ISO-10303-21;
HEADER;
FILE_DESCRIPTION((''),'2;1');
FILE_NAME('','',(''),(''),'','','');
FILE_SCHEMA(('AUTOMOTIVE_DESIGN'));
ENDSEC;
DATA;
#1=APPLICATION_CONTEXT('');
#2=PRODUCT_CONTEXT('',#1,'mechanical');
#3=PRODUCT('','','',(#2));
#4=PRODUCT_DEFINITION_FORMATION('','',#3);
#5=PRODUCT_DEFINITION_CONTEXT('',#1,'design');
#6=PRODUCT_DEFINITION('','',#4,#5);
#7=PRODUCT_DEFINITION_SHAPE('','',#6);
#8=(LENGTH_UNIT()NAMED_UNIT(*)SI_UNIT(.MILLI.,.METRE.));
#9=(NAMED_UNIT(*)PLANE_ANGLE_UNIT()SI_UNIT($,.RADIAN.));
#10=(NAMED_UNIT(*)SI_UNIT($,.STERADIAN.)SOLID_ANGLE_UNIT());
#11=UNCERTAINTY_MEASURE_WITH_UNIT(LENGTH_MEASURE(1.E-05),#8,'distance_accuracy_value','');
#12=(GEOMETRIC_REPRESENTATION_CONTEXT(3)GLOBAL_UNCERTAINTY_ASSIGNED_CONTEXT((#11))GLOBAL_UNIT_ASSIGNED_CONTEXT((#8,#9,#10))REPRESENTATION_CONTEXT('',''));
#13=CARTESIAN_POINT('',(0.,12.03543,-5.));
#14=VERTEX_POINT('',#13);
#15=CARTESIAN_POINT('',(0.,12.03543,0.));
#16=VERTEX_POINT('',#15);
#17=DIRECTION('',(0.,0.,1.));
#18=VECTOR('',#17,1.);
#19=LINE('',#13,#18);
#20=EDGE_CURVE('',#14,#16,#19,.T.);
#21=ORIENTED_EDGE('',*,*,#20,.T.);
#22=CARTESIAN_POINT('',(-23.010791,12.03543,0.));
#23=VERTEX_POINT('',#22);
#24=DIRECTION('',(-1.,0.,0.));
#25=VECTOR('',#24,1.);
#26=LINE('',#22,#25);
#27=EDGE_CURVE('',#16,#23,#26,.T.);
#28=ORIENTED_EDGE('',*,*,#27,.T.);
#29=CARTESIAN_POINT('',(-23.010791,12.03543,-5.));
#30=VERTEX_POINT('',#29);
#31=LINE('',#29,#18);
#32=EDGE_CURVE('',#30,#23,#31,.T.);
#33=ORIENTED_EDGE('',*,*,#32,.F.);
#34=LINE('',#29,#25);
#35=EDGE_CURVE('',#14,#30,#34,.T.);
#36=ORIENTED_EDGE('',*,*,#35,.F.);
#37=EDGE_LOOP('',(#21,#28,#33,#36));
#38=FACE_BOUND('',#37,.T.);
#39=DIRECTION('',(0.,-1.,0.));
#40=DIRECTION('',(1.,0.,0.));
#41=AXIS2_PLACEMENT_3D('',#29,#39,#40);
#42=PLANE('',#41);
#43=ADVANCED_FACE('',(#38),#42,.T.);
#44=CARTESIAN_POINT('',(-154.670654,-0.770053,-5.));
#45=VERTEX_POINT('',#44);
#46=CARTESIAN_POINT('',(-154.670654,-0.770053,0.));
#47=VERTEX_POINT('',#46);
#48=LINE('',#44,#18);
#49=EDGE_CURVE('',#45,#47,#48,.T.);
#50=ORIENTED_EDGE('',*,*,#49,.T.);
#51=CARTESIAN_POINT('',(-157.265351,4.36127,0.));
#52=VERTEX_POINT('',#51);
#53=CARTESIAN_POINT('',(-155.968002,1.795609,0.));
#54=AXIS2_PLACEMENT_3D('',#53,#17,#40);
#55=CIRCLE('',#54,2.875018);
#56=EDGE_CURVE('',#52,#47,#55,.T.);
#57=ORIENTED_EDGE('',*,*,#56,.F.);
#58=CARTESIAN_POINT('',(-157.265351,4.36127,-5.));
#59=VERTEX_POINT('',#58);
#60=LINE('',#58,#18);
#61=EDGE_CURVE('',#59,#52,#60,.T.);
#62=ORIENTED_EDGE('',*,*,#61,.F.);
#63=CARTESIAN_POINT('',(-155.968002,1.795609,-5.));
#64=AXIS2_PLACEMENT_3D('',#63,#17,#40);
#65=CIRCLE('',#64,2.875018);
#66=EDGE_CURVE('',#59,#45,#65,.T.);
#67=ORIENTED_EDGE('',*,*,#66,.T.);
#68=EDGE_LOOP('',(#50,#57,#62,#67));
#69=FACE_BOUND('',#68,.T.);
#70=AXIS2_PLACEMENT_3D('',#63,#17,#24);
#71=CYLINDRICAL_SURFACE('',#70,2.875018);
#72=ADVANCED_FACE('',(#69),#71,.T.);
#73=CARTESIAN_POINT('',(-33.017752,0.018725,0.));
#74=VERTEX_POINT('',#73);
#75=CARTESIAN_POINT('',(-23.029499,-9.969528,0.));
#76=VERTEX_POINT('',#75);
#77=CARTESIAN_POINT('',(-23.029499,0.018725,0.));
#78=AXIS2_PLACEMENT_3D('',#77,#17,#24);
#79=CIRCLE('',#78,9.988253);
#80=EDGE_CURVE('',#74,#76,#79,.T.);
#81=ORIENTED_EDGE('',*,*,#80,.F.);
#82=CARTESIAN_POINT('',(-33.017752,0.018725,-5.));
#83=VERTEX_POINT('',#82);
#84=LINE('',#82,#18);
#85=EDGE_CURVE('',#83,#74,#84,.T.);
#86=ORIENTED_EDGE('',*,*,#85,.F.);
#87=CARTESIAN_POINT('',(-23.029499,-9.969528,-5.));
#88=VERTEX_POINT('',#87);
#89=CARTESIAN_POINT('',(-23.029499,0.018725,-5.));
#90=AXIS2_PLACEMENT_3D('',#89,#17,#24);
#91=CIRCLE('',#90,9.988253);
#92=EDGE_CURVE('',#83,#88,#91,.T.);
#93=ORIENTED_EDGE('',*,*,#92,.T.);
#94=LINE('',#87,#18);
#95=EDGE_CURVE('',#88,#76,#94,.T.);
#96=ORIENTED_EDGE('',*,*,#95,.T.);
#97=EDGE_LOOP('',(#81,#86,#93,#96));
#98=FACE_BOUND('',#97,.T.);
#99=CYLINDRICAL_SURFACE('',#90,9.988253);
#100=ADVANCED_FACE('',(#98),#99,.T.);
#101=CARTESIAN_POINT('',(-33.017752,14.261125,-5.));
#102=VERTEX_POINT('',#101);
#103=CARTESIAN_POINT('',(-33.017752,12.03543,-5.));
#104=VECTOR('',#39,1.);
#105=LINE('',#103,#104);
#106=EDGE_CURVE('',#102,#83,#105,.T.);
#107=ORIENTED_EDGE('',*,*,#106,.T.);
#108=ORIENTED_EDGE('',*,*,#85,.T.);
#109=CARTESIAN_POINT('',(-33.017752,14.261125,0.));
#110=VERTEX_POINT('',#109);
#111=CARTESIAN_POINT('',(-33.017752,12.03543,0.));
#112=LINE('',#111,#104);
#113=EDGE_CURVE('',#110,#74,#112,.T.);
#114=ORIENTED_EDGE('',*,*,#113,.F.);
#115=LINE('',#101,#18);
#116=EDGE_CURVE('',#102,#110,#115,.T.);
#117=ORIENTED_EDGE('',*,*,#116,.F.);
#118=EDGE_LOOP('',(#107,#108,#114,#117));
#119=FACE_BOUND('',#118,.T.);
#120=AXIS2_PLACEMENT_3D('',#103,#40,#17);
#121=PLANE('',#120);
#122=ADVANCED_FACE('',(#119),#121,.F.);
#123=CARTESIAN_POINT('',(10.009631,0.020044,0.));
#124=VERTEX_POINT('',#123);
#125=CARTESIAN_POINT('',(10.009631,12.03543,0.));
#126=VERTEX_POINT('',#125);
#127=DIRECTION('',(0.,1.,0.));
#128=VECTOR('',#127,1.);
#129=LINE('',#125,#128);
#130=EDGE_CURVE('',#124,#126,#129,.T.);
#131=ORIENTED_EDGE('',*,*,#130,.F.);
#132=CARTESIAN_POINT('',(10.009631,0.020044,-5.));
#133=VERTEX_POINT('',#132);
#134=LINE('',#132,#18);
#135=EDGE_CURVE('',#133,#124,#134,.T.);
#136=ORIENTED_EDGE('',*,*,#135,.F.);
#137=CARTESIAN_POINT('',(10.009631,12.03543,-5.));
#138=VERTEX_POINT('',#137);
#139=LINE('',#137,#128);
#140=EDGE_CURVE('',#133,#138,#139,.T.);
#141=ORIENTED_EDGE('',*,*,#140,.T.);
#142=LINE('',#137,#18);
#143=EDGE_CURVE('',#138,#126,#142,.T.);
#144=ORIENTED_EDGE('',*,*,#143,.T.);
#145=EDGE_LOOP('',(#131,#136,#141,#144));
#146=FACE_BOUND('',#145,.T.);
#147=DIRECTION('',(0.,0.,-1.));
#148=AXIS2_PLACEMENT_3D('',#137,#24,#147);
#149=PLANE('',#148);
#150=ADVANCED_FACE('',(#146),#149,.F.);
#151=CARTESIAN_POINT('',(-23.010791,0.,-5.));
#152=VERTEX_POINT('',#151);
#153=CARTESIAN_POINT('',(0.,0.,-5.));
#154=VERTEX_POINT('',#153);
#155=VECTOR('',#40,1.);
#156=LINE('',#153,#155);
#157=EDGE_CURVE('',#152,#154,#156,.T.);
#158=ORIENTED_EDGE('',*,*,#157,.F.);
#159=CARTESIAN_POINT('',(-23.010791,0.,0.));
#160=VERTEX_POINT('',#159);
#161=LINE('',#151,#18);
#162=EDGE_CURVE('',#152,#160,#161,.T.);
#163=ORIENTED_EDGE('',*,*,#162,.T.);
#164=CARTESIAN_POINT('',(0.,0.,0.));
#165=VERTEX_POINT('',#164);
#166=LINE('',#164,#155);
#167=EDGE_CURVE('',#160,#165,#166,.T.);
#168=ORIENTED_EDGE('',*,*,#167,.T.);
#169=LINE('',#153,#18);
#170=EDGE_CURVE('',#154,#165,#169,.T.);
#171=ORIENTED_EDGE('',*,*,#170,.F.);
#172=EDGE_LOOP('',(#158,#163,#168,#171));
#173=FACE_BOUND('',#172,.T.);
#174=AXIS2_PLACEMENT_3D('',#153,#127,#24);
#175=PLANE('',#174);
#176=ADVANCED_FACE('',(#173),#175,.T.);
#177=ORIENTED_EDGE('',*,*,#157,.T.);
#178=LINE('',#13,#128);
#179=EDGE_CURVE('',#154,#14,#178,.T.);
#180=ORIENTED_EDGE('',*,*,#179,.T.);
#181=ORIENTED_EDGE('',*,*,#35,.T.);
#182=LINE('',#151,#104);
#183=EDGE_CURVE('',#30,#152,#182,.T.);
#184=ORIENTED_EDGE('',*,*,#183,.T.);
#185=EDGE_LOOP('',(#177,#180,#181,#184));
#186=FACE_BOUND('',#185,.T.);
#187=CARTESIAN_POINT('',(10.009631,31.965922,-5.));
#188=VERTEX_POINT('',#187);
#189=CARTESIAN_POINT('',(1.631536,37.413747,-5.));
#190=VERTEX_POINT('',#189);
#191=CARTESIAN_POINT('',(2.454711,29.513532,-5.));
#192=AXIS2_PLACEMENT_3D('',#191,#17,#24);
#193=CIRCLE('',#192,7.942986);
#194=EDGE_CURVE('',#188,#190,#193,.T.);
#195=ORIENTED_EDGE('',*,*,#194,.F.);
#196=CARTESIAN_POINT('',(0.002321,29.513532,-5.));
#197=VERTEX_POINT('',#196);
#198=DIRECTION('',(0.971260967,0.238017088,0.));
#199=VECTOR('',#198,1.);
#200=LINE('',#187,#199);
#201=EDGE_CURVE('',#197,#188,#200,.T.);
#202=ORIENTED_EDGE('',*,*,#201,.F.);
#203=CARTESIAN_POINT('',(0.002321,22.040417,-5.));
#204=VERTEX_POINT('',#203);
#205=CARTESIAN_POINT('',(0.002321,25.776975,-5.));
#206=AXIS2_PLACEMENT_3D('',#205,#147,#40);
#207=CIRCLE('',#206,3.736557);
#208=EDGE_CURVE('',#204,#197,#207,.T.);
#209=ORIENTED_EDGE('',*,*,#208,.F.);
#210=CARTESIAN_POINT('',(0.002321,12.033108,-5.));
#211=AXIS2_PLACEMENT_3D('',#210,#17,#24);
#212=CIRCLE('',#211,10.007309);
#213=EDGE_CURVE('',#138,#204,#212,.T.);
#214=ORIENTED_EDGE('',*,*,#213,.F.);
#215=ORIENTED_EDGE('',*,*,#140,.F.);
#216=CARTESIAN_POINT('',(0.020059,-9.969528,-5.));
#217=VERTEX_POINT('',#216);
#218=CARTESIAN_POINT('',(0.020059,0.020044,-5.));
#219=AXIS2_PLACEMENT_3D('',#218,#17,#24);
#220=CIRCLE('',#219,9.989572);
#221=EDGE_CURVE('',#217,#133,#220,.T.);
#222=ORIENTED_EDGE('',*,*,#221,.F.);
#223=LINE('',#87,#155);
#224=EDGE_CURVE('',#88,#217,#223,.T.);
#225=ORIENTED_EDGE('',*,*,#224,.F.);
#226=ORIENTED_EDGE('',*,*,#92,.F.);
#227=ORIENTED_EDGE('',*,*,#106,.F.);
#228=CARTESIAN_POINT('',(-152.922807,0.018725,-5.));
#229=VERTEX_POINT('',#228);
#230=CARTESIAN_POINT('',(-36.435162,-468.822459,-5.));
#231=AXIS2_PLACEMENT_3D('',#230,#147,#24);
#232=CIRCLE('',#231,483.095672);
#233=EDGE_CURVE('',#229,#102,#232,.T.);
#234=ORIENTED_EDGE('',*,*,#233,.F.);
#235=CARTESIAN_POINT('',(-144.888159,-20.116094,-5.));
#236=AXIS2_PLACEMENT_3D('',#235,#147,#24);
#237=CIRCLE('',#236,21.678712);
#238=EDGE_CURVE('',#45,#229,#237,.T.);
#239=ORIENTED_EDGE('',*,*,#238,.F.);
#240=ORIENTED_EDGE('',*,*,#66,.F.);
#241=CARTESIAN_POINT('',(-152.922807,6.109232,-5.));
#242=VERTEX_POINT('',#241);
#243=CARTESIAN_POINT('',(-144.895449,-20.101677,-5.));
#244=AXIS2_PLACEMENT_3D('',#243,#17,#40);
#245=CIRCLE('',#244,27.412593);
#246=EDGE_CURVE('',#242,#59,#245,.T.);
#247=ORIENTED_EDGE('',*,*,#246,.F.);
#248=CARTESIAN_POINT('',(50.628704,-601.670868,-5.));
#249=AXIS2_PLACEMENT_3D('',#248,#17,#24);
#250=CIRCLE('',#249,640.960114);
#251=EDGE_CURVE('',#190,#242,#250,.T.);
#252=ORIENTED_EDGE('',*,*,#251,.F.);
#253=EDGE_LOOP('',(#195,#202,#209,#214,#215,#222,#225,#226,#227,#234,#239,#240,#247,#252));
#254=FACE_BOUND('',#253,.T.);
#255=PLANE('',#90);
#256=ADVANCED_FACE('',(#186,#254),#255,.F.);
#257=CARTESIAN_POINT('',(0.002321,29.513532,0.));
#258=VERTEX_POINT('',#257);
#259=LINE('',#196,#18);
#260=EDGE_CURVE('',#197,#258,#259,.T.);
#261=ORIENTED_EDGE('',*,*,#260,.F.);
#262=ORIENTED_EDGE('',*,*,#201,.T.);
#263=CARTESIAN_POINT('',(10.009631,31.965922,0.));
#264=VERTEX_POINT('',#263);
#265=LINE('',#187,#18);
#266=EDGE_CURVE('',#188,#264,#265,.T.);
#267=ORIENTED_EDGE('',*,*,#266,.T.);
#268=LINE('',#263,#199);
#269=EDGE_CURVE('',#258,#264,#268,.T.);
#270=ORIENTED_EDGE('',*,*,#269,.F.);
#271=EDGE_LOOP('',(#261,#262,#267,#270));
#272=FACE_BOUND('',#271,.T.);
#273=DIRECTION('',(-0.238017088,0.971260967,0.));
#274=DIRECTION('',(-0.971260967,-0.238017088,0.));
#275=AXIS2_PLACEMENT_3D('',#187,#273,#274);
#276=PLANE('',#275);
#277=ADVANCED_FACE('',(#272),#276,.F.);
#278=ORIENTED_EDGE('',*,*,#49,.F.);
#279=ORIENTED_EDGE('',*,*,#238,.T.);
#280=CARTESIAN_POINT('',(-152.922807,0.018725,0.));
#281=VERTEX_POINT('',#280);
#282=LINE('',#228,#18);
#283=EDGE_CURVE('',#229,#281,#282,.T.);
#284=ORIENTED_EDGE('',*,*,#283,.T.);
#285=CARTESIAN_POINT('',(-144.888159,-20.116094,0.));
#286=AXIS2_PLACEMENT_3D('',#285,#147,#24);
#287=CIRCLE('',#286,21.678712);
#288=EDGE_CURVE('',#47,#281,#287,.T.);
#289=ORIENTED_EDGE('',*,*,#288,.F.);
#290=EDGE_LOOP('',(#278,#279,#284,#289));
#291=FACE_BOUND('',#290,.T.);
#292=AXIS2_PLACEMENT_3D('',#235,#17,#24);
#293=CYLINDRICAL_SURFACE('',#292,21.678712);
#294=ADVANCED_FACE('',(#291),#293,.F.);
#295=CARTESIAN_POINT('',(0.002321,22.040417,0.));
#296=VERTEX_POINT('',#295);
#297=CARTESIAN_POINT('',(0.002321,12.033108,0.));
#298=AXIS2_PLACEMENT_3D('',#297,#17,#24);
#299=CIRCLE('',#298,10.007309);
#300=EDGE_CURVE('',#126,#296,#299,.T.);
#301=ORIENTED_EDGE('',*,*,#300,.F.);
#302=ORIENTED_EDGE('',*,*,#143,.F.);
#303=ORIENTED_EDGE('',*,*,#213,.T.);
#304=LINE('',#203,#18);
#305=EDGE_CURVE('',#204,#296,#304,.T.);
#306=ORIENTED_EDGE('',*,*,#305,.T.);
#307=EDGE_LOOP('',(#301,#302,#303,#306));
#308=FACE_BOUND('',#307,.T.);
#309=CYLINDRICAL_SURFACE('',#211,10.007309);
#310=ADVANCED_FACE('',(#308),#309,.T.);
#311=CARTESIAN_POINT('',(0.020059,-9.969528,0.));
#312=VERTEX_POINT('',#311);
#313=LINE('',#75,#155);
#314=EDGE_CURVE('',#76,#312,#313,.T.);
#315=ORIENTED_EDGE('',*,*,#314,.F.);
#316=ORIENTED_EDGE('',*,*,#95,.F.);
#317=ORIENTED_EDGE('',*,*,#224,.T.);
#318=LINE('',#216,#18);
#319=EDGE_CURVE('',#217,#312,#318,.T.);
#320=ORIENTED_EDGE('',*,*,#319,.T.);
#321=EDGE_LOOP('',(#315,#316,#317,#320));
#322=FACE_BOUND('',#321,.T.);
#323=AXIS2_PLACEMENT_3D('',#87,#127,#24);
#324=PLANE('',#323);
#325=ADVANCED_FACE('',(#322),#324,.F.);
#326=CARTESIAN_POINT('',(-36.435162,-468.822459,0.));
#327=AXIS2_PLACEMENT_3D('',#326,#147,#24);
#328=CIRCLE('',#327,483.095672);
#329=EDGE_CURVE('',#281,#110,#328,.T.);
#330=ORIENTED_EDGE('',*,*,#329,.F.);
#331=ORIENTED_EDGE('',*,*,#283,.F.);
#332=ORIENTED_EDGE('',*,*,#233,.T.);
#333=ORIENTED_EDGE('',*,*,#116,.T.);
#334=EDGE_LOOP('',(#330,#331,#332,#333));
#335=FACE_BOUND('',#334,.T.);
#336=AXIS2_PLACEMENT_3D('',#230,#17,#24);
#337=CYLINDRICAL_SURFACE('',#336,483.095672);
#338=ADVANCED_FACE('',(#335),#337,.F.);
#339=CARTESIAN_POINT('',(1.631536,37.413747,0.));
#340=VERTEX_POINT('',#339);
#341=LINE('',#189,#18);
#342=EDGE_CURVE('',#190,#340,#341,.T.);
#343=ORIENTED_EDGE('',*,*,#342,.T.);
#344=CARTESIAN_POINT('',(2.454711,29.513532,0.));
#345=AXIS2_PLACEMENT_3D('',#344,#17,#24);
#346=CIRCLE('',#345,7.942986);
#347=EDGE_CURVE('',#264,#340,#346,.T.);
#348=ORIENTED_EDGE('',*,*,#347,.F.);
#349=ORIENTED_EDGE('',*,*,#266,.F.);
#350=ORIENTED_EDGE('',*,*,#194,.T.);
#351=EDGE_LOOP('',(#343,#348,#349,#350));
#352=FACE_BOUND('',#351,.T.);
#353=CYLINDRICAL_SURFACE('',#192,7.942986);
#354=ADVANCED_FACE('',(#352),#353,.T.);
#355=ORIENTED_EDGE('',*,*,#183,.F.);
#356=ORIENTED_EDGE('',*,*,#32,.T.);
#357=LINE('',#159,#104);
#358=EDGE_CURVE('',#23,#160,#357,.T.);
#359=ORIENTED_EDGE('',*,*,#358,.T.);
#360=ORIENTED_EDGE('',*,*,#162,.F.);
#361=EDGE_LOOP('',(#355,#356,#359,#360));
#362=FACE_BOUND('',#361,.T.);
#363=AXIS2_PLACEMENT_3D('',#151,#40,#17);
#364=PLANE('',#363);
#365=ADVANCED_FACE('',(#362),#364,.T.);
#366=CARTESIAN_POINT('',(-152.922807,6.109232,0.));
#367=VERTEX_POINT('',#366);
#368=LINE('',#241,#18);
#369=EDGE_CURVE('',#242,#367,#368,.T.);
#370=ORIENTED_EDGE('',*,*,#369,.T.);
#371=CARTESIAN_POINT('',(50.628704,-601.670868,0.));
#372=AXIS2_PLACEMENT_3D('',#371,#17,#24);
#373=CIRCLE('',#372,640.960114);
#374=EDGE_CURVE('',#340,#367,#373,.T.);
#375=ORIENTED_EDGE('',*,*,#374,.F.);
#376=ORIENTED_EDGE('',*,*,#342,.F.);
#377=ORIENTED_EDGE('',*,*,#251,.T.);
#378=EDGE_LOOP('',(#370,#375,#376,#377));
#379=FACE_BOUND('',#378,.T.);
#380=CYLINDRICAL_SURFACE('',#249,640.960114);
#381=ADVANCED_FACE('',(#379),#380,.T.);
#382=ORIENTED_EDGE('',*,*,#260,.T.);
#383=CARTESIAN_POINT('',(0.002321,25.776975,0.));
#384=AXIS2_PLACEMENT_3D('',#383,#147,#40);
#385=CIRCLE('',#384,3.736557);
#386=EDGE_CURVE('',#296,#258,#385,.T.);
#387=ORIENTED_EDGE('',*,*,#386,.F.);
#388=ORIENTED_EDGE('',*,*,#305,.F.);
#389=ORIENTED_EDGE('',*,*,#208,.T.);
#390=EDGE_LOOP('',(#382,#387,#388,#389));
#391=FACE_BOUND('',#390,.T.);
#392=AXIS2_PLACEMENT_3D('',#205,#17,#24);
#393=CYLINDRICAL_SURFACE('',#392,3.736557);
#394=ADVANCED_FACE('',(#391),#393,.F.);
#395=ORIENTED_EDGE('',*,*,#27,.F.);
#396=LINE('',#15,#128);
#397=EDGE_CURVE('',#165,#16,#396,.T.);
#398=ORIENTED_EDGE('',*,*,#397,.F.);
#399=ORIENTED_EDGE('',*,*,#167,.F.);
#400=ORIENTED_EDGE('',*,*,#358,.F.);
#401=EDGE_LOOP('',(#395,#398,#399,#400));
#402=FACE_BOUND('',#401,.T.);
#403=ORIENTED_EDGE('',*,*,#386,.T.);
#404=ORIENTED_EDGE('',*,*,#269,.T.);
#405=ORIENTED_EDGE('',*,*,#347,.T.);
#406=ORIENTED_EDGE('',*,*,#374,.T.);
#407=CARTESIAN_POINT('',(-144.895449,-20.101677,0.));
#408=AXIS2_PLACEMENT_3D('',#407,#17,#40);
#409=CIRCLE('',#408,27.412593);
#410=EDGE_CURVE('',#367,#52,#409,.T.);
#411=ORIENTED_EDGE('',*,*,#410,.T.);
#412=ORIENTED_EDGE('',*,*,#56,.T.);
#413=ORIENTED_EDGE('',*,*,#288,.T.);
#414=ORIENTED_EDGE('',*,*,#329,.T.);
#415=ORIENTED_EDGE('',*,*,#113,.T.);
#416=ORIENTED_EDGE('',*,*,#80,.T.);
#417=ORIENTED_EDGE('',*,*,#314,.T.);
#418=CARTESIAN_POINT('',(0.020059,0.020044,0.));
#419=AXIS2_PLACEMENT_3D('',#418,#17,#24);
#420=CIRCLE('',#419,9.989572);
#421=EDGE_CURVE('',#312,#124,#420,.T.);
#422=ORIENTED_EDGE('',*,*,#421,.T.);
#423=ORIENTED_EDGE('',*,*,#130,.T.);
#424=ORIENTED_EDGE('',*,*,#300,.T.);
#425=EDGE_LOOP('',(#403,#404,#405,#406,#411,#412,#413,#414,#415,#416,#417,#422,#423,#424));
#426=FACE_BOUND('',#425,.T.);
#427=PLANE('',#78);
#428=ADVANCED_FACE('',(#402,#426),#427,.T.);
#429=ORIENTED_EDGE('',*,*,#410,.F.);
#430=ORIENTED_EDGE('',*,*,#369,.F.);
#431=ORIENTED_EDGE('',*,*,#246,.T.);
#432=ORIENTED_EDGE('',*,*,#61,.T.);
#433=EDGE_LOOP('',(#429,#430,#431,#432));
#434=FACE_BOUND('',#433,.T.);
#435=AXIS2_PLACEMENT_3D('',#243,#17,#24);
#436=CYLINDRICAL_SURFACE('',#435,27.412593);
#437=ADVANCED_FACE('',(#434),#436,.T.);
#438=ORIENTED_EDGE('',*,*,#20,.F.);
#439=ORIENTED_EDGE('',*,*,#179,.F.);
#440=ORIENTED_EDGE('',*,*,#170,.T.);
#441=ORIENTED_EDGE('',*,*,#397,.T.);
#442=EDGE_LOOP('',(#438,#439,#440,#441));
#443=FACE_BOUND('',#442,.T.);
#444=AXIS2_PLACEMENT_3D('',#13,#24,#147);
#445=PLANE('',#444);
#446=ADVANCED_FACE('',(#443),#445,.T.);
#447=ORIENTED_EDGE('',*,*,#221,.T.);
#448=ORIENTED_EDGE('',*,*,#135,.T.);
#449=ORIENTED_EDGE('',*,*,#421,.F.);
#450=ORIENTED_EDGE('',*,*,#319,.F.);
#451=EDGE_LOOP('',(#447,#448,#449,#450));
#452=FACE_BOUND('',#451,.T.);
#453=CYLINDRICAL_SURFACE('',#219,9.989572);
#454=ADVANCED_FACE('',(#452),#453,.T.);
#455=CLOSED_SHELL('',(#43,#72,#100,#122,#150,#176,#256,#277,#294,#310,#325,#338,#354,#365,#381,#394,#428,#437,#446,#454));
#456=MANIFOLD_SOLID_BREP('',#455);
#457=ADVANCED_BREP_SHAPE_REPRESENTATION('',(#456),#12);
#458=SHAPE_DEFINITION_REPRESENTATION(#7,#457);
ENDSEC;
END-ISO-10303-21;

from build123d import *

# Parameters (mm, degrees)
SKETCH4_W           = 23.01079085
SKETCH4_H           = 12.035429775
BOSS_EXTRUDE1_DEPTH = 5


with BuildPart() as part:
    # Sketch4 → Boss-Extrude1 (new body)
    with BuildSketch(Plane.XY):
        with BuildLine():
            Line((-23.029498644, -9.969527596), (0.020059035, -9.969527596))
            ThreePointArc((0.020059035, -9.969527596), (7.083752781, -7.043649902), (10.009630666, 0.020043765))
            Line((10.009630666, 0.020043765), (10.009630666, 12.035429505))
            ThreePointArc((10.009630666, 12.035429505), (7.077737043, 19.110165135), (0.00232147, 22.0404175))
            ThreePointArc((0.00232147, 22.0404175), (-3.734235721, 25.776974691), (0.00232147, 29.513531883))
            Line((0.00232147, 29.513531883), (10.009630666, 31.965921786))
            ThreePointArc((10.009630666, 31.965921786), (6.784699168, 36.172527862), (1.631535857, 37.413747311))
            ThreePointArc((1.631535857, 37.413747311), (-76.612020645, 26.532654718), (-152.922807067, 6.10923224))
            ThreePointArc((-152.922807067, 6.10923224), (-155.131459045, 5.328115377), (-157.265351369, 4.361269649))
            ThreePointArc((-157.265351369, 4.361269649), (-158.533663589, 0.498259669), (-154.67065361, -0.770052551))
            ThreePointArc((-154.67065361, -0.770052551), (-153.805456008, -0.356328461), (-152.922807067, 0.018725346))
            ThreePointArc((-152.922807067, 0.018725346), (-93.417009782, 10.900895291), (-33.017751587, 14.261124841))
            Line((-33.017751587, 14.261124841), (-33.017751587, 12.035429775))
            Line((-33.017751587, 12.035429775), (-33.017751587, 0.018725346))
            ThreePointArc((-33.017751587, 0.018725346), (-30.092260032, -7.044036042), (-23.029498644, -9.969527596))
        make_face()
        with Locations((-11.505395425, 6.017714888)):
            Rectangle(SKETCH4_W, SKETCH4_H, mode=Mode.SUBTRACT)
    extrude(amount=BOSS_EXTRUDE1_DEPTH)


with BuildPart() as part_1:
    # Body-Move/Copy1: moved
    add(part.part.moved(Location((0, 0, -5))))


solid = part_1.part
